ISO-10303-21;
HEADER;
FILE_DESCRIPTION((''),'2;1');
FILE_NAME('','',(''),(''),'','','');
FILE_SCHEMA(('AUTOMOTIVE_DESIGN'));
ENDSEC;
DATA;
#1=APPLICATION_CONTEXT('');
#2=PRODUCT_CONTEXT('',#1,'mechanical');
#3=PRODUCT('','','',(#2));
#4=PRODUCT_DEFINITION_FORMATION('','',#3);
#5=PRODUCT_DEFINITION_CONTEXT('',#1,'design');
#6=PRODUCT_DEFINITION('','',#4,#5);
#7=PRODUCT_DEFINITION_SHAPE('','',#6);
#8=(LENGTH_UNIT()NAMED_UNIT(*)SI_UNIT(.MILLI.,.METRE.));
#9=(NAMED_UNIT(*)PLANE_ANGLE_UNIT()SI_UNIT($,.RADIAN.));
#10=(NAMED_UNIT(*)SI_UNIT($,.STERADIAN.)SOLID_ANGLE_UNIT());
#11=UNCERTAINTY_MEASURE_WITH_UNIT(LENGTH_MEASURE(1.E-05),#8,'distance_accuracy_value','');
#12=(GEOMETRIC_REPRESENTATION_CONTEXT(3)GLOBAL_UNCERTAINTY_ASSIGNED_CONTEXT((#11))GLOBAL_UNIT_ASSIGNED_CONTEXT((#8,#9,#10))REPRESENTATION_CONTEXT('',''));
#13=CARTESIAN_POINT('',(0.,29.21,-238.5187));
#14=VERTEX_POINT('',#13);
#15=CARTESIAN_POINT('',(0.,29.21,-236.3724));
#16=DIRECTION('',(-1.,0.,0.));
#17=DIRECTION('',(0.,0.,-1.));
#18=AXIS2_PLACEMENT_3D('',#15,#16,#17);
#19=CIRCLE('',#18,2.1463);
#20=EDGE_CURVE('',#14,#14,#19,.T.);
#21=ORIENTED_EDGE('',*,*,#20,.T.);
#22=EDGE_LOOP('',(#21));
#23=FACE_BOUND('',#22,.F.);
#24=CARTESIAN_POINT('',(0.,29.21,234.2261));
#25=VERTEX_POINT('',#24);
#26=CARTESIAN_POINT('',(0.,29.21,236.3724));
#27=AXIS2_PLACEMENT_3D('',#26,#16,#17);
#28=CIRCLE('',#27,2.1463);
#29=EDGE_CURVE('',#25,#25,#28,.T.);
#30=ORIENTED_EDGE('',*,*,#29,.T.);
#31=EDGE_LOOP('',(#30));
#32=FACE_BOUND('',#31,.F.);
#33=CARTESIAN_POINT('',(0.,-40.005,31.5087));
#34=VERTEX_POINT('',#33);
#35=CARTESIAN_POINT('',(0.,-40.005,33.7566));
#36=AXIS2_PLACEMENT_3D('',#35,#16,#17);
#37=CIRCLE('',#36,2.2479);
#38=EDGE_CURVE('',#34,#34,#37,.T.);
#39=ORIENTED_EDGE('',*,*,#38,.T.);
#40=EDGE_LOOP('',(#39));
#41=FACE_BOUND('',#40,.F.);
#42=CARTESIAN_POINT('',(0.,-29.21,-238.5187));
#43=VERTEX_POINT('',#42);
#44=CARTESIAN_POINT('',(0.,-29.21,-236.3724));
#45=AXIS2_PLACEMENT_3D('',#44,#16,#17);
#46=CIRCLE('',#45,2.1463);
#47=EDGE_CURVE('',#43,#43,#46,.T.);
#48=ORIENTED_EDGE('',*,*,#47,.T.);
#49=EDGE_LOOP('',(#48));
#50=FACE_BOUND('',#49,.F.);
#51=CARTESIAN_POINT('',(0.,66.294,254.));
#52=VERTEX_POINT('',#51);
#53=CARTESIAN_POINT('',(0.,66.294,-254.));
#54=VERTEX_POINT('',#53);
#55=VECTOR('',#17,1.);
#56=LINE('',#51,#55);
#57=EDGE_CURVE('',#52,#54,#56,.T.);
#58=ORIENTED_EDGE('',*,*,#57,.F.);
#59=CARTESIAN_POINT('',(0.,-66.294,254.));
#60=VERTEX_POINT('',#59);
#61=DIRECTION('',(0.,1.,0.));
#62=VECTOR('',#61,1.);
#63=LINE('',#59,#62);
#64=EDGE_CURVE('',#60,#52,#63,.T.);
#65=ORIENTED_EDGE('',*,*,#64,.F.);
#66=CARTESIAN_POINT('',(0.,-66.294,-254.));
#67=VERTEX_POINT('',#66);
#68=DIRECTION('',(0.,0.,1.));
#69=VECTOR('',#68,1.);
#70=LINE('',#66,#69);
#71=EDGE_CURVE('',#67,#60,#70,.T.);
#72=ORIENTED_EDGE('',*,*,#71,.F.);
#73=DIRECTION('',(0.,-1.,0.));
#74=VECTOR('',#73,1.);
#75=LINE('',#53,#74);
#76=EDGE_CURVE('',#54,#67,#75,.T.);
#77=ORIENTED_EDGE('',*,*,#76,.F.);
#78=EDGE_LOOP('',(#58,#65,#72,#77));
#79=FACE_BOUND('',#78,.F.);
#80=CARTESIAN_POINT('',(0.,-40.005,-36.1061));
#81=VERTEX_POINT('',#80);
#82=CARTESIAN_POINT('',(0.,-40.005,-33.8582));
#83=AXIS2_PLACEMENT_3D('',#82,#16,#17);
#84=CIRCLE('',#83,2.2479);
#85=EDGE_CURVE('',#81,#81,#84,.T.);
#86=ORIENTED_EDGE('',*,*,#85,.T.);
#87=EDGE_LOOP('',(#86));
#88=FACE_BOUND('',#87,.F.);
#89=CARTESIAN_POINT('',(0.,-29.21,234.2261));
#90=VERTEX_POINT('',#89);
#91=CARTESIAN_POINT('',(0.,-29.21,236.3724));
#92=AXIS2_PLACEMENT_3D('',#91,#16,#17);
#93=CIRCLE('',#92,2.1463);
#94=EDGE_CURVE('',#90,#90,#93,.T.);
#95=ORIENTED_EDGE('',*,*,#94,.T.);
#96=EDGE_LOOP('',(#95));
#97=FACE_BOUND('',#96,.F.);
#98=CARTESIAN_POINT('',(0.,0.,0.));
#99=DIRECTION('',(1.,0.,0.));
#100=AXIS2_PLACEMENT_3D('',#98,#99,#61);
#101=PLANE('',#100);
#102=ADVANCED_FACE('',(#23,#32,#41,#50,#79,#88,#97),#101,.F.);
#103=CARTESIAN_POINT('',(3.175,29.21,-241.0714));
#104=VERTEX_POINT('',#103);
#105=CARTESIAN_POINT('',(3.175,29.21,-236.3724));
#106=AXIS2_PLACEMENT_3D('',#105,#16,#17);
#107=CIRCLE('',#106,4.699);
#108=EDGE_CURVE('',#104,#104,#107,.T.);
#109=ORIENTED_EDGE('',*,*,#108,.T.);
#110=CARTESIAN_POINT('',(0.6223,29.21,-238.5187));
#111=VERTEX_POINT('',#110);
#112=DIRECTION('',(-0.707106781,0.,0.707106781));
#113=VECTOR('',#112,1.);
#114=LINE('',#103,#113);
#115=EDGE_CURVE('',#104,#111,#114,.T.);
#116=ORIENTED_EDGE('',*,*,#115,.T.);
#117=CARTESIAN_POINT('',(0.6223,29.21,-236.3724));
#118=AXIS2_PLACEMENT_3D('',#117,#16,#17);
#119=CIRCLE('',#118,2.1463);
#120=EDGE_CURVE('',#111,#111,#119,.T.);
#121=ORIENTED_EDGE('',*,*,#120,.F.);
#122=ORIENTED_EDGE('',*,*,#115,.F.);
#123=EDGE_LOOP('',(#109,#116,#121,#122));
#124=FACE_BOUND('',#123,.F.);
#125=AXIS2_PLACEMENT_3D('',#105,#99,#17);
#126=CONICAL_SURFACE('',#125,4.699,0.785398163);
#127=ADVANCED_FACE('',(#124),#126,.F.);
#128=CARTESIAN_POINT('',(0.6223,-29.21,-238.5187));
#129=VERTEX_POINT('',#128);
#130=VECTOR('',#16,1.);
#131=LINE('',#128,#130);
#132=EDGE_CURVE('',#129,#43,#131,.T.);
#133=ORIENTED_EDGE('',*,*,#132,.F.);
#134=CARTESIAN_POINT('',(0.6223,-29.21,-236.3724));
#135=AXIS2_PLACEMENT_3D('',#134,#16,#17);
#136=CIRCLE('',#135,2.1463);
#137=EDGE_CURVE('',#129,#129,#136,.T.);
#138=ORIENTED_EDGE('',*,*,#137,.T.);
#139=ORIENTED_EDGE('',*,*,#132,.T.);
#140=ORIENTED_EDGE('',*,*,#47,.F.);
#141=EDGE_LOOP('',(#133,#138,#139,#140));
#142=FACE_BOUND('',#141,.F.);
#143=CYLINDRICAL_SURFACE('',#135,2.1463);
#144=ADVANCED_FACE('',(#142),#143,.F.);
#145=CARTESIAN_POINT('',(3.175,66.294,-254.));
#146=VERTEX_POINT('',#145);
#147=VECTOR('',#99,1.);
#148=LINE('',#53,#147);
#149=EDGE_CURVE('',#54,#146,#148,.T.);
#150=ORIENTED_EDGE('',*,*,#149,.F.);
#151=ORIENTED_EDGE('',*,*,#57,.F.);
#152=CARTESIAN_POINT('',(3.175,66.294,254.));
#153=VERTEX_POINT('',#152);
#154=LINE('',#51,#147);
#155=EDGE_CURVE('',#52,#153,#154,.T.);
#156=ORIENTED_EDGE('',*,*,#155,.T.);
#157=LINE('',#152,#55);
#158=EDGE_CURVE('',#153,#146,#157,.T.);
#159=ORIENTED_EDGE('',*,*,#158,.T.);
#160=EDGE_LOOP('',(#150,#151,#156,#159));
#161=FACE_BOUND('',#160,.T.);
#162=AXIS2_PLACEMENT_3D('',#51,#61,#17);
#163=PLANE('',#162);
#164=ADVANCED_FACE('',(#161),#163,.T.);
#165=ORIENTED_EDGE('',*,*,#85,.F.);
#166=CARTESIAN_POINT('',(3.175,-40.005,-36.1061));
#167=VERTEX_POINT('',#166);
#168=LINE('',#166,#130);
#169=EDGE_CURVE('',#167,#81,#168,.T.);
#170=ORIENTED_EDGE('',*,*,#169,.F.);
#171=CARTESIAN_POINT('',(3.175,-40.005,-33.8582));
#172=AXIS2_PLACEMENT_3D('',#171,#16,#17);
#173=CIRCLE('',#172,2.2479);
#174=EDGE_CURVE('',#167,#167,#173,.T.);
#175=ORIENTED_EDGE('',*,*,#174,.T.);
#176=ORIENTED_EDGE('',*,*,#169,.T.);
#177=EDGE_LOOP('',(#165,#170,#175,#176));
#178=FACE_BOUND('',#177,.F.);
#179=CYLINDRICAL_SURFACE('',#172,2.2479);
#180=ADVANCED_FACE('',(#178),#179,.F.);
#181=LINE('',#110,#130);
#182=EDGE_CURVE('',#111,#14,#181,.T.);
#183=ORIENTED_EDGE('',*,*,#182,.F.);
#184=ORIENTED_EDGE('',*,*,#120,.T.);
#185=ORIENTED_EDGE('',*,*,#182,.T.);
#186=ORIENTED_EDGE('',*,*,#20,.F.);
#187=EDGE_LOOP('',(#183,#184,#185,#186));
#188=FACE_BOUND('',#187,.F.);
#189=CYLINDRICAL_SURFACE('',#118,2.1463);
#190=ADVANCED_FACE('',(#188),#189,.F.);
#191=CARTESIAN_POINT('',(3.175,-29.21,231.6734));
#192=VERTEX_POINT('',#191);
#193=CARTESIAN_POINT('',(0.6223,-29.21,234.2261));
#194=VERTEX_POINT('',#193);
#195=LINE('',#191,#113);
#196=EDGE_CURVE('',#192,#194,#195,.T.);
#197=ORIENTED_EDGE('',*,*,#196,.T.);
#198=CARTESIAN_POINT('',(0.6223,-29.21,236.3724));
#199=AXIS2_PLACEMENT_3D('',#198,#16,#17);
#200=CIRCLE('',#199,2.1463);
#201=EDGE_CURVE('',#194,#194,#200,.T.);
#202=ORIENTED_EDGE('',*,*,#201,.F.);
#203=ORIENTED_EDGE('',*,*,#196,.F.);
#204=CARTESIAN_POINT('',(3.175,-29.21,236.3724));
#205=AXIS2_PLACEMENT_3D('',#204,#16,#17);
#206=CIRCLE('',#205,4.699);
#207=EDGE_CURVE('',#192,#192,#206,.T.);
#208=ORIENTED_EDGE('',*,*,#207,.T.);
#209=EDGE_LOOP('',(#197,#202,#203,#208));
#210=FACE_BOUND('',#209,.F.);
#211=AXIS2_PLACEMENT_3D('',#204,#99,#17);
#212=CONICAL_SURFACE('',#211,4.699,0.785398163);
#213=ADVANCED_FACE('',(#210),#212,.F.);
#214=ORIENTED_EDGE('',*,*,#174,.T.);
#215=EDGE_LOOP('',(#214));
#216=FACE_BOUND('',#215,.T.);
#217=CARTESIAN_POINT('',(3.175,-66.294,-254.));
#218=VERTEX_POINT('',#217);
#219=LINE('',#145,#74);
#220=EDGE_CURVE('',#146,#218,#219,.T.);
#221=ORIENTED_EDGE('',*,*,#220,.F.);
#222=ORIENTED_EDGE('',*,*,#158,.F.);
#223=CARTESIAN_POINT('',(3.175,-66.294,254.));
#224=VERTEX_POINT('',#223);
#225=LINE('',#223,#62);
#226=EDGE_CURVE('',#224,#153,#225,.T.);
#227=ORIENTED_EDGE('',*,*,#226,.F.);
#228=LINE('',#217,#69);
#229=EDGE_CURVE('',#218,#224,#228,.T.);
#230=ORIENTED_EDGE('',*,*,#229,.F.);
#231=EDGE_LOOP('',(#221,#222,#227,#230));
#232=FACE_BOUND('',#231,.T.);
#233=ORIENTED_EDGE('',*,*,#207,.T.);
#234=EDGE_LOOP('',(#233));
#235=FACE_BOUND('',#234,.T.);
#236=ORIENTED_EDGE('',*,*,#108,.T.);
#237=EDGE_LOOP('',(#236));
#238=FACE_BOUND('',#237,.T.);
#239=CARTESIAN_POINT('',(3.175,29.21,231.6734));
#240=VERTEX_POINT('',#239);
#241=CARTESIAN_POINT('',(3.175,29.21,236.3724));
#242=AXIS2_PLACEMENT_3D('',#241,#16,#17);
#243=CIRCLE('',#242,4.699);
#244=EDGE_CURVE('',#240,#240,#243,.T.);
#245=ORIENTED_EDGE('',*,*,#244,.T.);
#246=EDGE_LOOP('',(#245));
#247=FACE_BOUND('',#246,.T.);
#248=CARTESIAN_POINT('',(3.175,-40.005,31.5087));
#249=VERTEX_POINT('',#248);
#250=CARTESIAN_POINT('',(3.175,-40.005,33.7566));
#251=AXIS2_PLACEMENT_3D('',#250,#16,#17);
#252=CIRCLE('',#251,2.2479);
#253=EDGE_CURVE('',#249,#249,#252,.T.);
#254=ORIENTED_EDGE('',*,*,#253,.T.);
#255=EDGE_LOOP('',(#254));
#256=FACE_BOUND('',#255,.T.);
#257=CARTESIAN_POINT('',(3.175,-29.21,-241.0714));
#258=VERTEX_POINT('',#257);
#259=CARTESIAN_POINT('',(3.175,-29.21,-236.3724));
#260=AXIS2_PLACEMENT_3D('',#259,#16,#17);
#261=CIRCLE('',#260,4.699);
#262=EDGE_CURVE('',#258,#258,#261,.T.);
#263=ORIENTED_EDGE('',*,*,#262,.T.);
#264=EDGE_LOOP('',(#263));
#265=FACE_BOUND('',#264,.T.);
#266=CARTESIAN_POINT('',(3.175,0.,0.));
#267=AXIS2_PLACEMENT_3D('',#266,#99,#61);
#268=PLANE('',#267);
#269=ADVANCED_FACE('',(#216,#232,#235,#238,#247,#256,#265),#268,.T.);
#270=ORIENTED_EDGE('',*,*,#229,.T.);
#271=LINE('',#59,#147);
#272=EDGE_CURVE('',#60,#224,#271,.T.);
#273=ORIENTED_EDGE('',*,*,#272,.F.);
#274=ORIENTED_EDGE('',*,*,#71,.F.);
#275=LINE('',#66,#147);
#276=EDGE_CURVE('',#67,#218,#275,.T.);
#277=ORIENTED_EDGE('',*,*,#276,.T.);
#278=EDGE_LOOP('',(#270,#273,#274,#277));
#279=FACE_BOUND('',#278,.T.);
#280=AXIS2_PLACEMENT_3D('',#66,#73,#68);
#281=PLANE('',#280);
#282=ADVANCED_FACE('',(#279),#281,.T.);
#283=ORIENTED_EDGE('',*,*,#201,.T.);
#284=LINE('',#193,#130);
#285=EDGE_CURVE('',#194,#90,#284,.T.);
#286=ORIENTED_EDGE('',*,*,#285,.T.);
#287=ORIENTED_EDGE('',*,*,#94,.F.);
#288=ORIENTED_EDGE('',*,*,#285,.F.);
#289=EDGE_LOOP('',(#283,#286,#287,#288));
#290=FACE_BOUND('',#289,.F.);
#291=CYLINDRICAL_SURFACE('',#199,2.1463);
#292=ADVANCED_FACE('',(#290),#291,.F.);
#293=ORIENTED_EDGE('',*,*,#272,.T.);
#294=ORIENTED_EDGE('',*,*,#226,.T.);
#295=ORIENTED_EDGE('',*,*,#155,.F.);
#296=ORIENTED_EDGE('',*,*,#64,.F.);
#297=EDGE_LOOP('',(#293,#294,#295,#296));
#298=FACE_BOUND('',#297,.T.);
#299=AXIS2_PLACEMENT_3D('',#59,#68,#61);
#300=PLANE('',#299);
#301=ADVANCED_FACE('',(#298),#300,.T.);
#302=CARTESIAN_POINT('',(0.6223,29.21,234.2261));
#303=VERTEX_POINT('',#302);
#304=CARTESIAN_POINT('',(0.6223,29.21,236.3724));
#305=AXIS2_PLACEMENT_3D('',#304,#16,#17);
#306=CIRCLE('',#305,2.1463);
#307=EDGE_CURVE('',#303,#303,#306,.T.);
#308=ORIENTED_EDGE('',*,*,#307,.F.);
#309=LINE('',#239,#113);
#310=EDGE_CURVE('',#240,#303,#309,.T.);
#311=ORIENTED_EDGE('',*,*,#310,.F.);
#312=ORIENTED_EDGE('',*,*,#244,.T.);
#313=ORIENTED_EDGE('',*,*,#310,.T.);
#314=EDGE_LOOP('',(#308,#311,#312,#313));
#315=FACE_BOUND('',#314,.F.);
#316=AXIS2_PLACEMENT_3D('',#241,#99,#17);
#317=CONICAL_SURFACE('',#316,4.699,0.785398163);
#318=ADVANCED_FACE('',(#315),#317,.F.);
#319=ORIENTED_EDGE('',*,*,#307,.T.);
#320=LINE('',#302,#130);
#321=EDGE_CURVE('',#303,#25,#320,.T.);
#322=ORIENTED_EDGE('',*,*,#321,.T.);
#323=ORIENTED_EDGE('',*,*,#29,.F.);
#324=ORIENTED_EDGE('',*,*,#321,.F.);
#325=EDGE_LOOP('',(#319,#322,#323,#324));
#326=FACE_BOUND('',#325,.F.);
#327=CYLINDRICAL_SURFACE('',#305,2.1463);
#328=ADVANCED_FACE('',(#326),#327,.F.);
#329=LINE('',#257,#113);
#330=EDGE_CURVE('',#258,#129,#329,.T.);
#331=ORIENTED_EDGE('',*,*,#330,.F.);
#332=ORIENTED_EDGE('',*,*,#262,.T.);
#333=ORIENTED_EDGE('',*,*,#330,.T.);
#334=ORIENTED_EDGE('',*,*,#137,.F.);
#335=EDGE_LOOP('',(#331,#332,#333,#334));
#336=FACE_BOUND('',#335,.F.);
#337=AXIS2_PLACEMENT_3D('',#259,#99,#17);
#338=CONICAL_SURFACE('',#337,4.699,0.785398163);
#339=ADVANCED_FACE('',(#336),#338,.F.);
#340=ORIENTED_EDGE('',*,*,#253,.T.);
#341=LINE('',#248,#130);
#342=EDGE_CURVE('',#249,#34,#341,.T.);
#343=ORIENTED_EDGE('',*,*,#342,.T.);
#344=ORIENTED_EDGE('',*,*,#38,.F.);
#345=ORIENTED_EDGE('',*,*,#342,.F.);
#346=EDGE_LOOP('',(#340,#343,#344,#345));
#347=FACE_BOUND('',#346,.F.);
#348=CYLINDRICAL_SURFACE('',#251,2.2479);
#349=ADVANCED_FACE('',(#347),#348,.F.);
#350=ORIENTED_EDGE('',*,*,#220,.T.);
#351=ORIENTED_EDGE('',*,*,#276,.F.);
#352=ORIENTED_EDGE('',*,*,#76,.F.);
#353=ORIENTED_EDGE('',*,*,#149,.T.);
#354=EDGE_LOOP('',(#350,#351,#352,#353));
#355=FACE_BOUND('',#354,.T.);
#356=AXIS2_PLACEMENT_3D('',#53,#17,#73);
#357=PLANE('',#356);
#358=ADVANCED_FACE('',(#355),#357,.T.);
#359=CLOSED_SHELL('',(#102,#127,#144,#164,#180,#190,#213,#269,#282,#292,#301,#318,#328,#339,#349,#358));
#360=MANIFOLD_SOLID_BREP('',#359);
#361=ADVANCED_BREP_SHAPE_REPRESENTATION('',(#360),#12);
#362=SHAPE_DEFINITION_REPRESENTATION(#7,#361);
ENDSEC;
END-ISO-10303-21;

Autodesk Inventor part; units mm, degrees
ref_plane "YZ Plane" through (0, 0, 0) normal (1, 0, 0) x (0, 1, 0)
ref_plane "XZ Plane" through (0, 0, 0) normal (0, 1, 0) x (-1, 0, 0)
ref_plane "XY Plane" through (0, 0, 0) normal (0, 0, 1) x (1, 0, 0)
sketch "Sketch1" plane through (0, 0, 0) normal (1, 0, 0) x (0, 1, 0)
  line L0 (-66.294, 254) -> (66.294, 254)
  line L1 (66.294, 254) -> (66.294, -254)
  line L2 (66.294, -254) -> (-66.294, -254)
  line L3 (-66.294, -254) -> (-66.294, 254)
  line L4 (-66.294, 254) -> (66.294, -254) construction
  line L5 (66.294, 254) -> (-66.294, -254) construction
  point P0 (0, 0)
  dimension "d0" = 508
  dimension "d1" = 132.588
extrude "Extrusion1" add sketch "Sketch1" along normal blind 3.175
sketch "Sketch2" plane through (3.175, 0, 0) normal (1, 0, 0) x (0, 0, -1)
  line L0 (-67.5894, -66.294) -> (67.691, -66.294) construction
  line L1 (67.691, -66.294) -> (67.691, -22.098) construction
  line L2 (67.691, -22.098) -> (-67.5894, -22.098) construction
  line L3 (-67.5894, -22.098) -> (-67.5894, -66.294) construction
  line L4 (-67.5894, -66.294) -> (67.691, -22.098) construction
  line L5 (67.691, -66.294) -> (-67.5894, -22.098) construction
  line L6 (254, -66.294) -> (254, 66.294) construction
  line L7 (-254, -66.294) -> (254, -66.294) construction
  point P0 (0, 0)
  point P1 (0.0508, -44.196)
  point P2 (10.6003, -66.294)
  dimension "d4" = 135.2804
  dimension "d5" = 44.196
  dimension "d6" = 186.309
sketch "Sketch3" plane through (3.175, 0, 0) normal (1, 0, 0) x (0, 0, -1)
  line L0 (-33.7566, -40.005) -> (33.8582, -40.005) construction
  line L1 (-254, -66.294) -> (254, -66.294) construction
  line L2 (67.691, -66.294) -> (67.691, -22.098) construction
  line L3 (-67.5894, -22.098) -> (-67.5894, -66.294) construction
  point P0 (0, 0)
  dimension "d7" = 26.289
  dimension "d17" = 33.8328
  dimension "d18" = 33.8328
hole "Hole1" at (3.175, -40.005, 33.7566) at (3.175, -40.005, -33.8582) direction (-1, 0, 0) diameter 4.4958 end through all clearance for "Countersunk Flat Head Screw ISO 2009/7046" size "M4" standard "ISO"
sketch "brackets" plane through (3.175, 0, 0) normal (1, 0, 0) x (0, 0, -1)
  line L0 (254, -66.294) -> (254, 66.294) construction
  line L1 (249.428, 54.61) -> (230.378, 54.61) construction
  line L2 (230.378, 54.61) -> (230.378, -54.61) construction
  line L3 (230.378, -54.61) -> (249.428, -54.61) construction
  line L4 (249.428, -54.61) -> (249.428, 54.61) construction
  line L5 (254, 66.294) -> (-254, 66.294) construction
  line L6 (-254, 66.294) -> (-254, -66.294) construction
  line L7 (-249.428, 54.61) -> (-230.378, 54.61) construction
  line L8 (-230.378, 54.61) -> (-230.378, -54.61) construction
  line L9 (-230.378, -54.61) -> (-249.428, -54.61) construction
  line L10 (-249.428, -54.61) -> (-249.428, 54.61) construction
  point P0 (0, 0)
  point P1 (-236.3724, 29.21)
  point P2 (-236.3724, -29.21)
  point P3 (236.3724, 29.21)
  point P4 (236.3724, -29.21)
  dimension "d20" = 19.05
  dimension "d21" = 109.22
  dimension "d22" = 11.684
  dimension "d23" = 19.05
  dimension "d24" = 109.22
  dimension "d25" = 11.684
  dimension "d26" = 25.4
  dimension "d27" = 5.9944
  dimension "d28" = 25.4
  dimension "d29" = 5.9944
  dimension "d30" = 25.4
  dimension "d31" = 5.9944
  dimension "d32" = 25.4
  dimension "d33" = 5.9944
  dimension "d41" = 4.572
  dimension "d42" = 4.572
hole "Hole2" at (3.175, 29.21, 236.3724) at (3.175, -29.21, 236.3724) at (3.175, 29.21, -236.3724) at (3.175, -29.21, -236.3724) direction (-1, 0, 0) diameter 4.2926 end through all countersink diameter 9.398 countersink angle 90 clearance for "Countersunk Flat Head Screw ISO 2009/7046" size "M4" standard "ISO"
properties part number "nmt_sidepanel_20in"
